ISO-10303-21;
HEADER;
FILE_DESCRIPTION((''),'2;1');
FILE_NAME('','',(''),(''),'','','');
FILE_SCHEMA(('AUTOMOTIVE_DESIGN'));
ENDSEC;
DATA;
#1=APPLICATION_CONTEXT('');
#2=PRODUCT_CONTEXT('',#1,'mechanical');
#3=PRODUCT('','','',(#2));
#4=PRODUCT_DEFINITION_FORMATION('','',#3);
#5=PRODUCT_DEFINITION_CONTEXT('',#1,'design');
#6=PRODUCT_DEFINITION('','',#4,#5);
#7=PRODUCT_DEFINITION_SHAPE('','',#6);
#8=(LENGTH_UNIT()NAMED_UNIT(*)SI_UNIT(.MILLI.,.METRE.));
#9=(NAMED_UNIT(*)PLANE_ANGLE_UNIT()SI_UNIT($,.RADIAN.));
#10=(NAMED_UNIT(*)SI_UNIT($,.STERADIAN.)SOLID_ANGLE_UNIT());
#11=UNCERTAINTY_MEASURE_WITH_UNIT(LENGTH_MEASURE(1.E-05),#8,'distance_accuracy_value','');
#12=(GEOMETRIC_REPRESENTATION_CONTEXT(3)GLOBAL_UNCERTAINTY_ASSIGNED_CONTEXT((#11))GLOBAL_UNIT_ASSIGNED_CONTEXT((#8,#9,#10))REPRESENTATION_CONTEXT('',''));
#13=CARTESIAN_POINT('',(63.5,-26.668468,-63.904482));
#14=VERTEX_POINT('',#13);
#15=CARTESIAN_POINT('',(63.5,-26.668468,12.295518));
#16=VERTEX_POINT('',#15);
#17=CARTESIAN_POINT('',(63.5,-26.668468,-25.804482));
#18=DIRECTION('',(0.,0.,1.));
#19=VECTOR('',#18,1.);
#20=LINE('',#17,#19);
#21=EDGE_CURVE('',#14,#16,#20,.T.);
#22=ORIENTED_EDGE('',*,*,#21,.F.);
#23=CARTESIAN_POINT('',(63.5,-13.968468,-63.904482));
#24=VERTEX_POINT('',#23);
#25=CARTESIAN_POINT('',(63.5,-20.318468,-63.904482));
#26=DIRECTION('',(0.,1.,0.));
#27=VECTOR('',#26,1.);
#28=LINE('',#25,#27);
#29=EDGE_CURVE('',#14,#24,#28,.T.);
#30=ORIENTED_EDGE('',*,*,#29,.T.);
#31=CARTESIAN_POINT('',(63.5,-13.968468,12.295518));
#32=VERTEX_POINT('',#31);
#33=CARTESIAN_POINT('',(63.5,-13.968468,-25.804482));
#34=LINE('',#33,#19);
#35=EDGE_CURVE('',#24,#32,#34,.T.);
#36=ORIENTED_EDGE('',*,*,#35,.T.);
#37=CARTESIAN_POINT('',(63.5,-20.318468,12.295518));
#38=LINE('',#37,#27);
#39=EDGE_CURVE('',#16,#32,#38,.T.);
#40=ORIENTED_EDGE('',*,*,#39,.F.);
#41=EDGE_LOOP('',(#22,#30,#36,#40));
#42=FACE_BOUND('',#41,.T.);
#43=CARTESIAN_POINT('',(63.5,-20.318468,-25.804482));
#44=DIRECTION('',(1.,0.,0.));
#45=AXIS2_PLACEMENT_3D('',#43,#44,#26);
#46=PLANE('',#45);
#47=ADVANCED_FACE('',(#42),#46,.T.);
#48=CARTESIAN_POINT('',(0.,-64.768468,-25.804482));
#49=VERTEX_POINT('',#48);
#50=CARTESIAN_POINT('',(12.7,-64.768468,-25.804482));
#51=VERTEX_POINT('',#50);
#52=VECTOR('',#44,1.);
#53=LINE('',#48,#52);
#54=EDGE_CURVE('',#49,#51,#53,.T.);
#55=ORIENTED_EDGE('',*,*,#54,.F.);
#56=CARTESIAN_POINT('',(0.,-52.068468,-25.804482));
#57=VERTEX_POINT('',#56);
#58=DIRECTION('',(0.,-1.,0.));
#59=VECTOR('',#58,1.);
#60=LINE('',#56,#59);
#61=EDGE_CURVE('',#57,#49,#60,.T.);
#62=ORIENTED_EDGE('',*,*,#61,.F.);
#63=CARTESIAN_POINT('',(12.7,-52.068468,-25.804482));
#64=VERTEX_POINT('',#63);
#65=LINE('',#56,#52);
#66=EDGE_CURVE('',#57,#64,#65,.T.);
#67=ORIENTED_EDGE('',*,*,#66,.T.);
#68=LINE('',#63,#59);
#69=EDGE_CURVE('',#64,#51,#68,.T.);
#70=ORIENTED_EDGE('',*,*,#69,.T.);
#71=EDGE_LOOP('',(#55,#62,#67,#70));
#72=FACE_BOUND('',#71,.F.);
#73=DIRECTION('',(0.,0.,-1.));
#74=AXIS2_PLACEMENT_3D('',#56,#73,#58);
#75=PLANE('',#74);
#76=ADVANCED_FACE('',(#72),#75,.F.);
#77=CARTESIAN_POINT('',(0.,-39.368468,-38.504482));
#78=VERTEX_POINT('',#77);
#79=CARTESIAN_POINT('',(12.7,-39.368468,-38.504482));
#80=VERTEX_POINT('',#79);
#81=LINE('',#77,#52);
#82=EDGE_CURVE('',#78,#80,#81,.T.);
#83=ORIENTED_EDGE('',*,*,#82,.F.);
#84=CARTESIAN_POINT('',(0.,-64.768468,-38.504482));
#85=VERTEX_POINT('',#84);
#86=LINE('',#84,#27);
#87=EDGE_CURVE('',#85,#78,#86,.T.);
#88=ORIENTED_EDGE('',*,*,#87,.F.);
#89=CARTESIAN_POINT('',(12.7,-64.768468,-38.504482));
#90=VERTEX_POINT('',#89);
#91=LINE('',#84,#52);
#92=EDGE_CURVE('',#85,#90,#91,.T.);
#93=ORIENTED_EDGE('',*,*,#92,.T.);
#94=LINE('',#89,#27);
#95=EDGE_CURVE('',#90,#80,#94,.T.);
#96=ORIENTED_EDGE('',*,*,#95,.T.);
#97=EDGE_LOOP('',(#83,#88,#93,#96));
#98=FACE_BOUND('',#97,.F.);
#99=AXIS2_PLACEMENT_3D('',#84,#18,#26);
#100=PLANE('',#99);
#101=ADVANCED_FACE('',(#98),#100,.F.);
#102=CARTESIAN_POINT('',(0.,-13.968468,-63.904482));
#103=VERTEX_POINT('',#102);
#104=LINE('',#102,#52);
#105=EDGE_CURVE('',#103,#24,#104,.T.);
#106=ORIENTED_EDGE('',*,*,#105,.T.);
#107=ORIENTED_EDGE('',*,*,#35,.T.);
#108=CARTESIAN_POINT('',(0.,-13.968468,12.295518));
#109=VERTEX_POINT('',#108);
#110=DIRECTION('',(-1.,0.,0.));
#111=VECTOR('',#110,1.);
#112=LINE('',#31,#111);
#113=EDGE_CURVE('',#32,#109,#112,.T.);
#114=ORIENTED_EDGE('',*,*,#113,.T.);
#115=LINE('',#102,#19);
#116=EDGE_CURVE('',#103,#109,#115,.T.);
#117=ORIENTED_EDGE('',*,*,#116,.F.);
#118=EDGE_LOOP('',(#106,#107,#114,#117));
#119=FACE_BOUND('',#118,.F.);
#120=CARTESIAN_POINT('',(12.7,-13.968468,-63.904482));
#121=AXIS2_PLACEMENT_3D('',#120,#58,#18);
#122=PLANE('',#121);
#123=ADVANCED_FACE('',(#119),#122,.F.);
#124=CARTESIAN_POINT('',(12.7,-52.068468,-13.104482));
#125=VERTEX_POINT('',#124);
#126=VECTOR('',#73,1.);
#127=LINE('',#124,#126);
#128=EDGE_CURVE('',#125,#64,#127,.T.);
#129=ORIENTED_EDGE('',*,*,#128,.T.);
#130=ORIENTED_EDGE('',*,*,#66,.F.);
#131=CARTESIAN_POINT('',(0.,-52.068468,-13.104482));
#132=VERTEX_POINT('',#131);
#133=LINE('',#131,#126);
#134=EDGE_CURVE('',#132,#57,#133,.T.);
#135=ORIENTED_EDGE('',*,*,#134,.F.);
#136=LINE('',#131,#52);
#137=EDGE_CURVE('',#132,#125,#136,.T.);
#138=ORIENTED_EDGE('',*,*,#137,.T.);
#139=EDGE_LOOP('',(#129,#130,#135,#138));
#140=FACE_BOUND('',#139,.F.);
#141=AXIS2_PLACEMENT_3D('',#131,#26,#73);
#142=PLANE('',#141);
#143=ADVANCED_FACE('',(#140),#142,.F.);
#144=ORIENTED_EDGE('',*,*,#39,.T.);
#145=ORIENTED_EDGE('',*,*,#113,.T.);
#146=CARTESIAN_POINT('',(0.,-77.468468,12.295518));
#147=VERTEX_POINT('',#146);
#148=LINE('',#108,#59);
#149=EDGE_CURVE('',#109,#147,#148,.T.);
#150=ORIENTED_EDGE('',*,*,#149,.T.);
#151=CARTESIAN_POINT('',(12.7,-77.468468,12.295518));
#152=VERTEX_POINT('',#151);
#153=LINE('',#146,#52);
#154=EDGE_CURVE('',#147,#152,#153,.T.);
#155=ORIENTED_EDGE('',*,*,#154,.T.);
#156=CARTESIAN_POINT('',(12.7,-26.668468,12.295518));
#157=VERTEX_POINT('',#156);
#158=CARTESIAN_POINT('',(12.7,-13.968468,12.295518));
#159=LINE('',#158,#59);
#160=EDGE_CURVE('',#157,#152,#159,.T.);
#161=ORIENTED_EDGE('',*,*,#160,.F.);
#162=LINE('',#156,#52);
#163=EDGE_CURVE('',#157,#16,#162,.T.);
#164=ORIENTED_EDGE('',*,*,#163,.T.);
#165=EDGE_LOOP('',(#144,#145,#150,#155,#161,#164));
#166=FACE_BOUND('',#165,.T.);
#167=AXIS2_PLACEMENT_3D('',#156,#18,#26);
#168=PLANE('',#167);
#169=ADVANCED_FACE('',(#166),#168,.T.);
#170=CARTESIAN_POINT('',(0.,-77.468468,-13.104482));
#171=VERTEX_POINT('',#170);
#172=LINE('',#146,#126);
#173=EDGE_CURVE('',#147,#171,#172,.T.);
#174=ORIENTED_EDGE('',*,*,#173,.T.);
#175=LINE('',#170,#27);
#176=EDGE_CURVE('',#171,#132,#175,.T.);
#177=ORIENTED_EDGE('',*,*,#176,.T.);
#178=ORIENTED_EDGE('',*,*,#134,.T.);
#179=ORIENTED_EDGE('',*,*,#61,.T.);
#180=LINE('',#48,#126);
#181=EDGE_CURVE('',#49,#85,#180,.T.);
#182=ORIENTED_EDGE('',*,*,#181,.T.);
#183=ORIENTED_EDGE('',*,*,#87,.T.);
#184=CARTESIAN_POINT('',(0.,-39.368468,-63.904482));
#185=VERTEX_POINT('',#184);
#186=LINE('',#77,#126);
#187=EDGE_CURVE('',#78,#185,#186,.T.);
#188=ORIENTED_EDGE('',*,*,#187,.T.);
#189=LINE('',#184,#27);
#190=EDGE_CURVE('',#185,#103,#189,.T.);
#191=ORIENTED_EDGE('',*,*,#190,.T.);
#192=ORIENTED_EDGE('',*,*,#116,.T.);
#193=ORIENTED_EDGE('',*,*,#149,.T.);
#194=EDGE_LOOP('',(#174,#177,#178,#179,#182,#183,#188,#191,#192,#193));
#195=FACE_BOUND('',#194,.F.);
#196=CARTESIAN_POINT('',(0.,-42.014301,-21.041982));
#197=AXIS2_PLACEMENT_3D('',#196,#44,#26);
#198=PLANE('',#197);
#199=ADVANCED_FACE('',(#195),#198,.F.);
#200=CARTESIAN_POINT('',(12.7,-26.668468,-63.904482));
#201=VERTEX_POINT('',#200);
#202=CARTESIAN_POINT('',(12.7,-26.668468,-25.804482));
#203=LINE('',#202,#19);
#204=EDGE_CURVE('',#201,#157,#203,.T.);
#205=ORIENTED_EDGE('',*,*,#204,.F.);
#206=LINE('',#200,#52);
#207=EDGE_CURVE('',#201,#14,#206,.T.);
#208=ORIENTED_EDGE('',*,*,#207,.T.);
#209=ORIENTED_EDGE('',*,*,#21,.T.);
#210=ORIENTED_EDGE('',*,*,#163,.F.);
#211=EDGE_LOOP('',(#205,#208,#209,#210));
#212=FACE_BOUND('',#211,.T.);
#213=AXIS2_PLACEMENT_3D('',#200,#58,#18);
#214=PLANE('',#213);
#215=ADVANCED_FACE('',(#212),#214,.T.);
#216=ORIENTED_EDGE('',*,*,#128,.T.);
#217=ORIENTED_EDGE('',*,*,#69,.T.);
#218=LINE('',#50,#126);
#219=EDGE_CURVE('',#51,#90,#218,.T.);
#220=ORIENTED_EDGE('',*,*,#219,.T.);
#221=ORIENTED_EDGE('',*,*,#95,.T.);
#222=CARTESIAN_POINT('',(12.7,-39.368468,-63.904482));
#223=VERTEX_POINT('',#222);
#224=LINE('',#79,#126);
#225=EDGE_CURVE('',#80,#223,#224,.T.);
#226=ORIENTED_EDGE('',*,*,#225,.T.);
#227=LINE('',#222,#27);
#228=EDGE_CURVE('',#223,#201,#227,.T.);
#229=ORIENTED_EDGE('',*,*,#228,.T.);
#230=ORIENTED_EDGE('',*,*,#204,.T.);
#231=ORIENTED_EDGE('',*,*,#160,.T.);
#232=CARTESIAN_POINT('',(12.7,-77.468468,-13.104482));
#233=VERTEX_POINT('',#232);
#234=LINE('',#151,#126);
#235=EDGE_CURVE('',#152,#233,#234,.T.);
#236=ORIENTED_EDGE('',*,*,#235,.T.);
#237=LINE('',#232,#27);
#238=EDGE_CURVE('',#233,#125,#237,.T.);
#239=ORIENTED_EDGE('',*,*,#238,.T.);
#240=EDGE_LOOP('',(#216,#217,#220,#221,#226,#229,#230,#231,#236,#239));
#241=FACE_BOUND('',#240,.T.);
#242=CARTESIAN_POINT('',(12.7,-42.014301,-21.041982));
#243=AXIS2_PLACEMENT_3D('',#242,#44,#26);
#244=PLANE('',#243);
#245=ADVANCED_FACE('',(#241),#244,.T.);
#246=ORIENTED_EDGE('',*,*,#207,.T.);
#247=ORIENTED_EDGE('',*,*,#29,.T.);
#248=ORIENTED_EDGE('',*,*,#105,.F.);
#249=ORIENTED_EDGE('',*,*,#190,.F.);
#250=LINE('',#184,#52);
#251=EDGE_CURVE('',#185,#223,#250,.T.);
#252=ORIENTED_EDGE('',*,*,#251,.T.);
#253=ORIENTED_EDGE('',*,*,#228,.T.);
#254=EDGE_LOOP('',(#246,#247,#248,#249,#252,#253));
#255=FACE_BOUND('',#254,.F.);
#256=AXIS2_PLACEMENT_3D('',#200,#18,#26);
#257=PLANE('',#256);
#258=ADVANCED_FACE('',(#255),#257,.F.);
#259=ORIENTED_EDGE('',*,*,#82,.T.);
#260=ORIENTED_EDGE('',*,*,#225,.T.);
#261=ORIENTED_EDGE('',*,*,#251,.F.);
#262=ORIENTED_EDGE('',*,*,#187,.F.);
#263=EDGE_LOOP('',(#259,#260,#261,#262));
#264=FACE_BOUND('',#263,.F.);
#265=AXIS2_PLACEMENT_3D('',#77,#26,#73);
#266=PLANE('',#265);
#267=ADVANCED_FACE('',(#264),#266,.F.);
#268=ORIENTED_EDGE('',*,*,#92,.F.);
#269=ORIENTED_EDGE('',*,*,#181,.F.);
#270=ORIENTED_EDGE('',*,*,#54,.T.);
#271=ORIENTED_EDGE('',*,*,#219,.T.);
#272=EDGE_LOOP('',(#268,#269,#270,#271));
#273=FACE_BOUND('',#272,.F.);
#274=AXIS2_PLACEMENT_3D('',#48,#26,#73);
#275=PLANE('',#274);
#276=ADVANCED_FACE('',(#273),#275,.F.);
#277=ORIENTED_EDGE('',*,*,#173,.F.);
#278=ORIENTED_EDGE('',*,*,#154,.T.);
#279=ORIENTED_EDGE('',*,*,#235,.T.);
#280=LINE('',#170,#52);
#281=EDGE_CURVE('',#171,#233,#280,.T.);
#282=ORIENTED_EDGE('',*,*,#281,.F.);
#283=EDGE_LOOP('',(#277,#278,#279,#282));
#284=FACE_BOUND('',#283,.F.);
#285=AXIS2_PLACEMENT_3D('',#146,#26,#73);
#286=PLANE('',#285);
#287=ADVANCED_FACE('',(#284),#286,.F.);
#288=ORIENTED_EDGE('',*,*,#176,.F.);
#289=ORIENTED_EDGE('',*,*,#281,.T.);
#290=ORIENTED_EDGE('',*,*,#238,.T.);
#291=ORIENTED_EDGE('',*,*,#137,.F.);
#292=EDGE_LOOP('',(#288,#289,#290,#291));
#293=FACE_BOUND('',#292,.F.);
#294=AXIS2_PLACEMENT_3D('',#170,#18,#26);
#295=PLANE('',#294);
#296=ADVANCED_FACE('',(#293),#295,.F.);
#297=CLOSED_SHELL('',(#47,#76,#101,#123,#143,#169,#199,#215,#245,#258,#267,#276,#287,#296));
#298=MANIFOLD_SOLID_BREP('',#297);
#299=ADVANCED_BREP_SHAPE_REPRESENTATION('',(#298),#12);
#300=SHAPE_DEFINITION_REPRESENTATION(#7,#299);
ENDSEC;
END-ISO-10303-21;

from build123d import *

# Parameters (mm, degrees)
F1_DEPTH = 12.7
F2_W     = 12.7
F2_H     = 76.2
F3_DEPTH = 50.8


with BuildPart() as f1:
    # F0 (on Right) → F1 (new body)
    with BuildSketch(Plane.YZ):
        Polygon((-39.368468, -63.904482), (-13.968468, -63.904482), (-13.968468, 12.295518), (-77.468468, 12.295518), (-77.468468, -13.104482), (-52.068468, -13.104482), (-52.068468, -25.804482), (-64.768468, -25.804482), (-64.768468, -38.504482), (-39.368468, -38.504482), align=None)
    extrude(amount=F1_DEPTH)

    # F2 (on face) → F3 (join)
    with BuildSketch(Plane.YZ.offset(12.7)):
        with Locations((-20.318468, -25.804482)):
            Rectangle(F2_W, F2_H)
    extrude(amount=F3_DEPTH)


solid = f1.part
